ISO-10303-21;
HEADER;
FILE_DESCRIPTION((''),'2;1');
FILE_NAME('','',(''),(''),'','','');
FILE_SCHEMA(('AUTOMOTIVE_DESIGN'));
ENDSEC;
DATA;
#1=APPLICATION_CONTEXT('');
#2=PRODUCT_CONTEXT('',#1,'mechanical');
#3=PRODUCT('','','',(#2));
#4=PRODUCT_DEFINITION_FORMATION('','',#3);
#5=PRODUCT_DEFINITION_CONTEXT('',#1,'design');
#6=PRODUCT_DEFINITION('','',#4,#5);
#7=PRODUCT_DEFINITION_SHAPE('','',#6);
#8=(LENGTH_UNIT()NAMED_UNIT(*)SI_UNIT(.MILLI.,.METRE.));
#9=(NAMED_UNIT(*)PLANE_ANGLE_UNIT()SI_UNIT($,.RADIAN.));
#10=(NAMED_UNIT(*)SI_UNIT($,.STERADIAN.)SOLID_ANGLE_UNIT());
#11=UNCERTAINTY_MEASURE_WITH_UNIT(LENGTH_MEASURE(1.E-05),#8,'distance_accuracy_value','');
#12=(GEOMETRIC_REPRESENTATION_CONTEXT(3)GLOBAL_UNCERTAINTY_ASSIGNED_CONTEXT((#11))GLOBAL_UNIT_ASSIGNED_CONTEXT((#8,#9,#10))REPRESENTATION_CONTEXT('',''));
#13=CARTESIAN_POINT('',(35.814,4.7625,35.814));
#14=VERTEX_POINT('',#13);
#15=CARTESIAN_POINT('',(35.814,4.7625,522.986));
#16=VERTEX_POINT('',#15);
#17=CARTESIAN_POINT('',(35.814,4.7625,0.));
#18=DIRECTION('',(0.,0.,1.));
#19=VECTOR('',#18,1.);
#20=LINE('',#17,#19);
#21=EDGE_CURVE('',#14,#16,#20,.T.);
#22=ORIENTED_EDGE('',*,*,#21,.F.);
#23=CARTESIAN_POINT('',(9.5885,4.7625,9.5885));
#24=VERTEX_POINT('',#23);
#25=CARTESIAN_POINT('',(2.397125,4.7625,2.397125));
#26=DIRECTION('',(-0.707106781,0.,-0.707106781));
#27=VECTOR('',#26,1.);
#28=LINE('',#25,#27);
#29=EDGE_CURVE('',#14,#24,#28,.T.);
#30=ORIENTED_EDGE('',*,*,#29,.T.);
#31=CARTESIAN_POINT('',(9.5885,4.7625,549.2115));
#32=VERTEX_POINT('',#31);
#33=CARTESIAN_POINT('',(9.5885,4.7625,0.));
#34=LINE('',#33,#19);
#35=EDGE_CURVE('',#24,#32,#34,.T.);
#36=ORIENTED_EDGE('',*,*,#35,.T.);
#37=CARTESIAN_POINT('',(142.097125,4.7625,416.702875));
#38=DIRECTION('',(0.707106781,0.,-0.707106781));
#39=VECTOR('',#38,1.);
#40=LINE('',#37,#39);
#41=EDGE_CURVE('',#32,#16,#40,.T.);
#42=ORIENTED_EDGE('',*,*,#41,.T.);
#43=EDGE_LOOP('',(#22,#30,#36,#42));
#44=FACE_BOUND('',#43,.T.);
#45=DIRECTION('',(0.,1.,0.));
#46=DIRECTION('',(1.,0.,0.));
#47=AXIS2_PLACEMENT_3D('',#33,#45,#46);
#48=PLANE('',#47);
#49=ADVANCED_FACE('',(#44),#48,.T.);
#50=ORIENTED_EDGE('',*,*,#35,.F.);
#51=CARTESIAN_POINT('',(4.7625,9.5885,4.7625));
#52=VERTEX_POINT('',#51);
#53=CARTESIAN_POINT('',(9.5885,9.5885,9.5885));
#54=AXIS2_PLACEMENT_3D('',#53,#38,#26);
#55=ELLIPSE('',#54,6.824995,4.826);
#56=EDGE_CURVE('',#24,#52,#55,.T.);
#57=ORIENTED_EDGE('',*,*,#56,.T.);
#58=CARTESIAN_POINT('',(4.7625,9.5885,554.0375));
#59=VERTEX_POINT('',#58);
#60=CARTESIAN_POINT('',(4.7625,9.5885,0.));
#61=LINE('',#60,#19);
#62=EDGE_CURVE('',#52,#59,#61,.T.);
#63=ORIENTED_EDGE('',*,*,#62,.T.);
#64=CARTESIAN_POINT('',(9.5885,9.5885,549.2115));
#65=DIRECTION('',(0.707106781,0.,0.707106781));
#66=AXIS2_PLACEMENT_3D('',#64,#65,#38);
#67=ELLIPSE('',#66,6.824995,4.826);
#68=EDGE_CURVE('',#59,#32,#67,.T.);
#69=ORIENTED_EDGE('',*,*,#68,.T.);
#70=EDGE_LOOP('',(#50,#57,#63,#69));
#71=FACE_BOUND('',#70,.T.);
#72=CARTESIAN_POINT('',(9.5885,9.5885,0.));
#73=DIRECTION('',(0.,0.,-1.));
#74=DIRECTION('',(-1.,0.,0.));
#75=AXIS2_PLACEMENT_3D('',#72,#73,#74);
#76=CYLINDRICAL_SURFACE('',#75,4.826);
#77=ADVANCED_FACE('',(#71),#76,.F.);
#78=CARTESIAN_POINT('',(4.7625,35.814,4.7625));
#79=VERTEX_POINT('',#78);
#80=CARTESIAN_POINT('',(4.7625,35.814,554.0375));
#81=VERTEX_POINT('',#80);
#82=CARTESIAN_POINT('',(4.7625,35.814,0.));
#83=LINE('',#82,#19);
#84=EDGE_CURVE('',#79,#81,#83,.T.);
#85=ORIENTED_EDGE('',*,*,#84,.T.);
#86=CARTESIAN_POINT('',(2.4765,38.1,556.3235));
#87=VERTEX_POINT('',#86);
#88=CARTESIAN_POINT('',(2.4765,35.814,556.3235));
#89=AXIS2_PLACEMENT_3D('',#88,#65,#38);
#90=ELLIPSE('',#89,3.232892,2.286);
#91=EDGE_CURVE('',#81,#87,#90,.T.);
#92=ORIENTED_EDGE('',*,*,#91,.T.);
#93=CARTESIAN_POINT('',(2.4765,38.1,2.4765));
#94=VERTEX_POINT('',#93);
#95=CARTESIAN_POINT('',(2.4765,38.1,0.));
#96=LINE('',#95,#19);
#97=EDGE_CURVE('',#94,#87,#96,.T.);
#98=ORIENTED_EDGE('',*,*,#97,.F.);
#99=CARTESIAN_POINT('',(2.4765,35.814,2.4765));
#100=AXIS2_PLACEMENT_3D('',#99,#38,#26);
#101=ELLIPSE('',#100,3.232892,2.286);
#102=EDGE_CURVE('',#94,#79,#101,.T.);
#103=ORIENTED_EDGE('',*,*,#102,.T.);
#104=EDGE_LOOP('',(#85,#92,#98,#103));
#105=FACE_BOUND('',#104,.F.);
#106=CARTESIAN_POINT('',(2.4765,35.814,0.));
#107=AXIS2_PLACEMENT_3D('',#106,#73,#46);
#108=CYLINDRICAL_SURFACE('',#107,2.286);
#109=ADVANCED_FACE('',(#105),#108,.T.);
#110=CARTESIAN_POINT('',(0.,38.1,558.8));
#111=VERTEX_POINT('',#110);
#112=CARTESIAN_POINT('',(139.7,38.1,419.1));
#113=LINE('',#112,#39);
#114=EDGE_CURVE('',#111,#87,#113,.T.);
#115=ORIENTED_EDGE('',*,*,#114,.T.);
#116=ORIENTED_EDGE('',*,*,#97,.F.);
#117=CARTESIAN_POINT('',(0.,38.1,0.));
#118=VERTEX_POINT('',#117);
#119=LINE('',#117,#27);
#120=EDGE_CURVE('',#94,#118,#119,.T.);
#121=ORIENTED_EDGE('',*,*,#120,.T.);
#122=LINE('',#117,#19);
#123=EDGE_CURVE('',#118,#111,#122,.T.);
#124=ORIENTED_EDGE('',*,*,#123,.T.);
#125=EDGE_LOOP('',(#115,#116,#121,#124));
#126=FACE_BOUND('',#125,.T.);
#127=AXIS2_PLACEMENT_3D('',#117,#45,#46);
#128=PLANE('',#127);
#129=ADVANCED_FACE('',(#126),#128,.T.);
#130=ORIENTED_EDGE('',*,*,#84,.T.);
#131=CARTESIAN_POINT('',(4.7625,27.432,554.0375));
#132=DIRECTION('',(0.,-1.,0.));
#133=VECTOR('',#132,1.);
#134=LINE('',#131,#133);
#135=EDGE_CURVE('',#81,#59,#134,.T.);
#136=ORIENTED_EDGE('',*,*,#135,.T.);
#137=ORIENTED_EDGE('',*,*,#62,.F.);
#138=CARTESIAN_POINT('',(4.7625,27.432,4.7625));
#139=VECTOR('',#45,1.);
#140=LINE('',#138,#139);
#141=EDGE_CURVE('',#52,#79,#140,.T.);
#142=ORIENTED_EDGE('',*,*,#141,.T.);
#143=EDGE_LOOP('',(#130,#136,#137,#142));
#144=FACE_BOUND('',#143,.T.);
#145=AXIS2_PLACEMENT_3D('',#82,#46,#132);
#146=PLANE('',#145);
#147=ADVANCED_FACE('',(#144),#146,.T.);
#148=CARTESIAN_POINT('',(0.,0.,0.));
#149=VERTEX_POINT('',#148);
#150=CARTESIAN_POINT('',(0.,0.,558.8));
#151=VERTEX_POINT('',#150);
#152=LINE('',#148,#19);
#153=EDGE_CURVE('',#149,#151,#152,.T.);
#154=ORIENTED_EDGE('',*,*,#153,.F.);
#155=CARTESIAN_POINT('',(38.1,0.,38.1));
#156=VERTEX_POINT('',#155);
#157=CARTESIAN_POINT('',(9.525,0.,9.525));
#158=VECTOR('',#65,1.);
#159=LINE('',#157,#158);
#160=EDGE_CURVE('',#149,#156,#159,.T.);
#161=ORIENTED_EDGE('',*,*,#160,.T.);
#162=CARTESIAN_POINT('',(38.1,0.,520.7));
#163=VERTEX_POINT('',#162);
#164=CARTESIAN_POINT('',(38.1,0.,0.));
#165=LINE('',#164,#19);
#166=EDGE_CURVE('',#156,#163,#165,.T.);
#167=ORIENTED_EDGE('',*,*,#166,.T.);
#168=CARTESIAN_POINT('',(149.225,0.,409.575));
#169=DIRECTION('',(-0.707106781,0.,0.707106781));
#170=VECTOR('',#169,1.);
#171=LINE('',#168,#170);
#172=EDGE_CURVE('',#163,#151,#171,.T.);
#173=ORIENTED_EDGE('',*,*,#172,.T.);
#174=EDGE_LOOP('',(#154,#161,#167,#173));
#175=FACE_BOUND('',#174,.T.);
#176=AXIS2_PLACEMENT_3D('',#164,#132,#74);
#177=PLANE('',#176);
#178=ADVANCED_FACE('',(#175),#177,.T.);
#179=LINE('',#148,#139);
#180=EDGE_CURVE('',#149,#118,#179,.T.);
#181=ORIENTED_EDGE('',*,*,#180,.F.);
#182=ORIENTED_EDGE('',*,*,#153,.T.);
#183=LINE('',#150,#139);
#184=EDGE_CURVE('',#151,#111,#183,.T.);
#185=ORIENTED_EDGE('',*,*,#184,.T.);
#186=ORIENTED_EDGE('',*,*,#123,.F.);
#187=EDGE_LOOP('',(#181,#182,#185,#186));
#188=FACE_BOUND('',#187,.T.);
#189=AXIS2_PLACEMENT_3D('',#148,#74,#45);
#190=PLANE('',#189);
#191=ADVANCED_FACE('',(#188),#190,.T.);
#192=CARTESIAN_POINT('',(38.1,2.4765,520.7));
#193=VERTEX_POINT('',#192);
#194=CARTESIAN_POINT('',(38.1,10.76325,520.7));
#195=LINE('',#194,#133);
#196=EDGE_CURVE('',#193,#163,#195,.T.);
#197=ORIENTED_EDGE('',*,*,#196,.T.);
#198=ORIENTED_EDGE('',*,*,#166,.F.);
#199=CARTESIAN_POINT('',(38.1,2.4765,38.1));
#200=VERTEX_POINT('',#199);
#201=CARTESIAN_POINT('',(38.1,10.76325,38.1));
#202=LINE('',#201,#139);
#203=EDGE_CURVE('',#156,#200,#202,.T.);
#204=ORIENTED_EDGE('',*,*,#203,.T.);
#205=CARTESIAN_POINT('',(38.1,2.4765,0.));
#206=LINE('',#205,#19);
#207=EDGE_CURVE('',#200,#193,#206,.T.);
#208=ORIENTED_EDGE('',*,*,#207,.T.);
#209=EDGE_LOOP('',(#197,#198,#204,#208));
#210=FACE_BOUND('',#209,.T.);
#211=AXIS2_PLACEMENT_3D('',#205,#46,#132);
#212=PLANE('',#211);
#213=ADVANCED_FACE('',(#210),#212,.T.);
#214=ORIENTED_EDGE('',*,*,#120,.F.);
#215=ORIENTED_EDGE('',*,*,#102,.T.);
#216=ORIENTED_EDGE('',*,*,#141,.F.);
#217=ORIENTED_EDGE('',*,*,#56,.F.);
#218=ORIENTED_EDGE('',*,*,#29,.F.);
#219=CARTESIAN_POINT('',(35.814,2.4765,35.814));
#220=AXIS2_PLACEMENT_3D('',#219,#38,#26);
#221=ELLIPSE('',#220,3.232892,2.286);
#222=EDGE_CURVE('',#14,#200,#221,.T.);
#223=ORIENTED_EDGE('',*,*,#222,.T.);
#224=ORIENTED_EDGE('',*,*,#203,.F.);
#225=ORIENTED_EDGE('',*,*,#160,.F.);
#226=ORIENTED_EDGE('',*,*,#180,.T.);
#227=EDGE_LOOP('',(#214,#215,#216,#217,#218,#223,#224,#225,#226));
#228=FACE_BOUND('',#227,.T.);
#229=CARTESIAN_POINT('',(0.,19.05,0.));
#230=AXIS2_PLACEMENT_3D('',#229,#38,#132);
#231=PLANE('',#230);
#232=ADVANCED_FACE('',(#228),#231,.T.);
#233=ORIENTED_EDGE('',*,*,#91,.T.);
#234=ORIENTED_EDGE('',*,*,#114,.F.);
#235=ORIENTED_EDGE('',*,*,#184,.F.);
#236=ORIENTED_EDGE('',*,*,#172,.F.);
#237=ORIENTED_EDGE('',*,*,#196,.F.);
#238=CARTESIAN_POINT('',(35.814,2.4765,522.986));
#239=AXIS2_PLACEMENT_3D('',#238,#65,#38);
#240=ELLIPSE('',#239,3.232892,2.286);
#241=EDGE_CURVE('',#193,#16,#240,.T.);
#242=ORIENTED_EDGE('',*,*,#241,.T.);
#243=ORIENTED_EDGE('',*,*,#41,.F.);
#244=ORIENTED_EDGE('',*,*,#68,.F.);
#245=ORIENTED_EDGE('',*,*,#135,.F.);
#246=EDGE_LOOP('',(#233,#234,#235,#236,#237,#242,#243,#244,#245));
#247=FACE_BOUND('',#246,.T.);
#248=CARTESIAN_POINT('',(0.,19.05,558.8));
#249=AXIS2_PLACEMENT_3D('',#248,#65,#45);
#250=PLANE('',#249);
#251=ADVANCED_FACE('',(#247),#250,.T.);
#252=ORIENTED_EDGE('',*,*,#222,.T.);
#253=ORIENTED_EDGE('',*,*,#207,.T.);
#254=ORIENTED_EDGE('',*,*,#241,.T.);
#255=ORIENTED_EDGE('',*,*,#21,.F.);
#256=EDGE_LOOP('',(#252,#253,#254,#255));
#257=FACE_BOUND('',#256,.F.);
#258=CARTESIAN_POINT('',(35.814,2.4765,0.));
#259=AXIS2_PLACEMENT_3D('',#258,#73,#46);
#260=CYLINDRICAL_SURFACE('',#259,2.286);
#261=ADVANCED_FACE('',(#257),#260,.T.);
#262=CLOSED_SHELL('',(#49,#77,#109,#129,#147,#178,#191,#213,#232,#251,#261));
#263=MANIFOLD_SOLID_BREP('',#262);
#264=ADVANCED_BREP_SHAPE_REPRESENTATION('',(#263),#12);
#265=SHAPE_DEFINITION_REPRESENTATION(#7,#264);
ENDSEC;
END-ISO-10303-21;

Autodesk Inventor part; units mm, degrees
ref_plane "Start plane" through (0, 0, 0) normal (0, 0, 1) x (1, 0, 0)
ref_plane "End plane" through (0, 0, 558.8) normal (0, 0, 1) x (1, 0, 0)
sketch "Sketch" plane through (0, 0, 0) normal (0, 0, 1) x (1, 0, 0)
  line L0 (38.1, 0) -> (0, 0)
  line L1 (0, 0) -> (0, 38.1)
  line L2 (0, 38.1) -> (2.4765, 38.1)
  line L3 (4.7625, 35.814) -> (4.7625, 9.5885)
  line L4 (9.5885, 4.7625) -> (35.814, 4.7625)
  line L5 (38.1, 2.4765) -> (38.1, 0)
  line L6 (0, -11.0414) -> (0, 31.5385) construction
  line L7 (-11.0414, 0) -> (31.5385, 0) construction
  arc A0 (4.7625, 9.5885) -> (9.5885, 4.7625) centre (9.5885, 9.5885) ccw
  arc A1 (4.7625, 35.814) -> (2.4765, 38.1) centre (2.4765, 35.814) ccw
  arc A2 (38.1, 2.4765) -> (35.814, 4.7625) centre (35.814, 2.4765) ccw
  line L8 (0, 48.4964) -> (0, -20.9644) construction
  line L9 (-20.9644, 0) -> (48.4964, 0) construction
  point P0 (4.7625, 38.1)
  point P1 (4.7625, 4.7625)
  point P2 (38.1, 4.7625)
  dimension "d0" = 38.1
  dimension "d1" = 38.1
  dimension "d2" = 4.7625
  dimension "d3" = 4.7625
  dimension "d10" = 0
  dimension "d11" = 0
  dimension "d14" = 4.826
  dimension "d15" = 2.286
extrude "Body" add sketch "Sketch" along normal up to surface (558.8 mm away) from surface at 0
sketch "Sketch3" plane through (0, 0, 0) normal (0, 0, 1) x (1, 0, 0)
  line L0 (0, 0) -> (10, 0)
ref_plane "Work Plane3" through (0, 0, 0) normal (0, -1, 0) x (1, 0, 0)
sketch "Sketch4" plane through (0, 0, 0) normal (0, -1, 0) x (1, 0, 0)
  line L0 (-2, 0) -> (12, 0)
  line L1 (-2, 558.8) -> (12, 558.8)
  dimension "d17" = 558.8
ref_plane "Work Plane4" through (0, 19.05, 558.8) normal (0.7071, 0, 0.7071) x (0.7071, 0, -0.7071)
split "Split1" plane through (0, 19.05, 558.8) removes the side toward (0.7071, 0, 0.7071)
ref_plane "Work Plane5" through (0, 19.05, 0) normal (0.7071, 0, -0.7071) x (-0.7071, 0, -0.7071)
split "Split2" plane through (0, 19.05, 0) removes the side toward (0.7071, 0, -0.7071)
equation "\"d0\" = G_H"
equation "\"d1\" = G_H"
equation "\"d2\" = G_T"
equation "\"d3\" = G_T"
equation "\"d14\" = G_IR"
equation "\"d15\" = G_ER"
equation "\"d4\" = G_L"
equation "\"G_H\" = 38.1"
equation "\"G_T\" = 4.7625"
equation "\"G_ER\" = 2.286"
equation "\"G_IR\" = 4.826"
equation "\"G_L\" = d17"
equation "\"ex\" = 0"
equation "\"G_OFFSET_START\" = 0"
equation "\"G_OFFSET_END\" = 0"
equation "\"d13\" = G_OFFSET_END + B_L"
equation "\"B_L\" = 558.8"
properties part number "AISC - L 1.5 x 1.5 x 3/16 - 22" material "Aluminum 6061"
